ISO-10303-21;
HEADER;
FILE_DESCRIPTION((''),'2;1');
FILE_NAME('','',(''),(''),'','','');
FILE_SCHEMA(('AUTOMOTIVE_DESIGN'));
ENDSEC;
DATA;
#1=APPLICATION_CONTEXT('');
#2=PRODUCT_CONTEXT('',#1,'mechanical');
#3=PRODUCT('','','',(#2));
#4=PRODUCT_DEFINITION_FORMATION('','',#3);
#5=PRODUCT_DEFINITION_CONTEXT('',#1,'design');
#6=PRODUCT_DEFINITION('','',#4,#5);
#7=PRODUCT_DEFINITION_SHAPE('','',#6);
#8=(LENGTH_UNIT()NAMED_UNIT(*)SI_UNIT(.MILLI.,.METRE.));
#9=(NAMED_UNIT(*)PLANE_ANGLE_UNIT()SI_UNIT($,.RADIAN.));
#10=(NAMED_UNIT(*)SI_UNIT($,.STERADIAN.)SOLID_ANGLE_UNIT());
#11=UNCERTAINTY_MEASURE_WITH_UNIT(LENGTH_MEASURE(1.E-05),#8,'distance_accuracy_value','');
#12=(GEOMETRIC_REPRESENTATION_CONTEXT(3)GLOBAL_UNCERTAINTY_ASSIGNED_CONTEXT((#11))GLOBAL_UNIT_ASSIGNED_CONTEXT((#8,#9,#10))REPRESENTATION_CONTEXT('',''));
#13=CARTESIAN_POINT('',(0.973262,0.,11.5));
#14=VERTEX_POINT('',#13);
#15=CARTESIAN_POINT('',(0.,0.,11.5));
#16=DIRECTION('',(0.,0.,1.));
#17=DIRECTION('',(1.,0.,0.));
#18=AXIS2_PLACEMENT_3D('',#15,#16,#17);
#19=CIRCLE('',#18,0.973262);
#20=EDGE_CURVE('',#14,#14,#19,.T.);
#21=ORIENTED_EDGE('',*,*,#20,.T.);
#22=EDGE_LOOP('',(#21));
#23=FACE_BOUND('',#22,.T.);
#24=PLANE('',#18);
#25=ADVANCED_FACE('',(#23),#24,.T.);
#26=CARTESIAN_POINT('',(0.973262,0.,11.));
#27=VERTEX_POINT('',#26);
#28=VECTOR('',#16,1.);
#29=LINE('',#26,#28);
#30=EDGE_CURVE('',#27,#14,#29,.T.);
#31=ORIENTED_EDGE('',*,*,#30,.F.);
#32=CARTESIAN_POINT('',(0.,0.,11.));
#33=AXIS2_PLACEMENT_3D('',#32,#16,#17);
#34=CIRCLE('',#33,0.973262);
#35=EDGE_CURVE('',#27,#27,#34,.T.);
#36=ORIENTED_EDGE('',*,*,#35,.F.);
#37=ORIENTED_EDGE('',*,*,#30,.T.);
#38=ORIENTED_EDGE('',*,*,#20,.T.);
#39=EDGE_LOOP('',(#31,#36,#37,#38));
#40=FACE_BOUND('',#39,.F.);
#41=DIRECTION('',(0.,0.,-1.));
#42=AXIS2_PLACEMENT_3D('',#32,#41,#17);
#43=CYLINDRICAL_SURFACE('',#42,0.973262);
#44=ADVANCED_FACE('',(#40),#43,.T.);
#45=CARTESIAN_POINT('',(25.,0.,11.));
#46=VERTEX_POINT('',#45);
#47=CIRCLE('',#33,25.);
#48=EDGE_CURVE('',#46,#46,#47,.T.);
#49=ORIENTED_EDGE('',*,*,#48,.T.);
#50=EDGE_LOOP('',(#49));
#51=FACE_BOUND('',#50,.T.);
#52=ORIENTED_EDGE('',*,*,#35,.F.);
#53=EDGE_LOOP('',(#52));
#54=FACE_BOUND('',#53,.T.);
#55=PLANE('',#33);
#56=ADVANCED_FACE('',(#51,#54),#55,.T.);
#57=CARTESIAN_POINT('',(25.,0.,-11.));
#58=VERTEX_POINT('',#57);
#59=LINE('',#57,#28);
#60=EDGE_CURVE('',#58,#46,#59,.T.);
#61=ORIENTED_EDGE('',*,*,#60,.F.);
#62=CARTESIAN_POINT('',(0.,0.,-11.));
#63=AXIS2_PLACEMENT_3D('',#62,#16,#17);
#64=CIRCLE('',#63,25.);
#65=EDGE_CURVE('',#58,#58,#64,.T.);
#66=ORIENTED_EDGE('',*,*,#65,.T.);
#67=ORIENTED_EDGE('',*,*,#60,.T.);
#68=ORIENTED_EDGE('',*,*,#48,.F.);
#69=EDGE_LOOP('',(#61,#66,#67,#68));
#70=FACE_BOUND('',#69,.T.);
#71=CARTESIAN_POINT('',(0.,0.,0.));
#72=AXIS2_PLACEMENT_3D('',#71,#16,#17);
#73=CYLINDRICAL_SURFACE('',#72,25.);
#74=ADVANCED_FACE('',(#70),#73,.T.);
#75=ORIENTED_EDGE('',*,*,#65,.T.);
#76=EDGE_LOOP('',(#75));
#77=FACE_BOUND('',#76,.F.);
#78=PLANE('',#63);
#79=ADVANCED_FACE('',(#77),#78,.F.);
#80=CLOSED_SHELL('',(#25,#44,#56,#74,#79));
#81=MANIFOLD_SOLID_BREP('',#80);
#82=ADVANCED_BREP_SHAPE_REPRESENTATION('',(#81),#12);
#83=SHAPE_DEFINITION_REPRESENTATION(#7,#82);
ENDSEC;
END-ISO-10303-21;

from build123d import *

# Parameters (mm, degrees)
F0_R     = 25
F1_DEPTH = 11
F2_R     = 0.973262
F3_DEPTH = 0.5


with BuildPart() as f1:
    # F0 (on Top) → F1 (new body, symmetric)
    with BuildSketch(Plane.XY):
        Circle(F0_R)
    extrude(amount=F1_DEPTH, both=True)

    # F2 (on face) → F3 (join)
    with BuildSketch(Plane.XY.offset(11)):
        Circle(F2_R)
    extrude(amount=F3_DEPTH)


solid = f1.part
